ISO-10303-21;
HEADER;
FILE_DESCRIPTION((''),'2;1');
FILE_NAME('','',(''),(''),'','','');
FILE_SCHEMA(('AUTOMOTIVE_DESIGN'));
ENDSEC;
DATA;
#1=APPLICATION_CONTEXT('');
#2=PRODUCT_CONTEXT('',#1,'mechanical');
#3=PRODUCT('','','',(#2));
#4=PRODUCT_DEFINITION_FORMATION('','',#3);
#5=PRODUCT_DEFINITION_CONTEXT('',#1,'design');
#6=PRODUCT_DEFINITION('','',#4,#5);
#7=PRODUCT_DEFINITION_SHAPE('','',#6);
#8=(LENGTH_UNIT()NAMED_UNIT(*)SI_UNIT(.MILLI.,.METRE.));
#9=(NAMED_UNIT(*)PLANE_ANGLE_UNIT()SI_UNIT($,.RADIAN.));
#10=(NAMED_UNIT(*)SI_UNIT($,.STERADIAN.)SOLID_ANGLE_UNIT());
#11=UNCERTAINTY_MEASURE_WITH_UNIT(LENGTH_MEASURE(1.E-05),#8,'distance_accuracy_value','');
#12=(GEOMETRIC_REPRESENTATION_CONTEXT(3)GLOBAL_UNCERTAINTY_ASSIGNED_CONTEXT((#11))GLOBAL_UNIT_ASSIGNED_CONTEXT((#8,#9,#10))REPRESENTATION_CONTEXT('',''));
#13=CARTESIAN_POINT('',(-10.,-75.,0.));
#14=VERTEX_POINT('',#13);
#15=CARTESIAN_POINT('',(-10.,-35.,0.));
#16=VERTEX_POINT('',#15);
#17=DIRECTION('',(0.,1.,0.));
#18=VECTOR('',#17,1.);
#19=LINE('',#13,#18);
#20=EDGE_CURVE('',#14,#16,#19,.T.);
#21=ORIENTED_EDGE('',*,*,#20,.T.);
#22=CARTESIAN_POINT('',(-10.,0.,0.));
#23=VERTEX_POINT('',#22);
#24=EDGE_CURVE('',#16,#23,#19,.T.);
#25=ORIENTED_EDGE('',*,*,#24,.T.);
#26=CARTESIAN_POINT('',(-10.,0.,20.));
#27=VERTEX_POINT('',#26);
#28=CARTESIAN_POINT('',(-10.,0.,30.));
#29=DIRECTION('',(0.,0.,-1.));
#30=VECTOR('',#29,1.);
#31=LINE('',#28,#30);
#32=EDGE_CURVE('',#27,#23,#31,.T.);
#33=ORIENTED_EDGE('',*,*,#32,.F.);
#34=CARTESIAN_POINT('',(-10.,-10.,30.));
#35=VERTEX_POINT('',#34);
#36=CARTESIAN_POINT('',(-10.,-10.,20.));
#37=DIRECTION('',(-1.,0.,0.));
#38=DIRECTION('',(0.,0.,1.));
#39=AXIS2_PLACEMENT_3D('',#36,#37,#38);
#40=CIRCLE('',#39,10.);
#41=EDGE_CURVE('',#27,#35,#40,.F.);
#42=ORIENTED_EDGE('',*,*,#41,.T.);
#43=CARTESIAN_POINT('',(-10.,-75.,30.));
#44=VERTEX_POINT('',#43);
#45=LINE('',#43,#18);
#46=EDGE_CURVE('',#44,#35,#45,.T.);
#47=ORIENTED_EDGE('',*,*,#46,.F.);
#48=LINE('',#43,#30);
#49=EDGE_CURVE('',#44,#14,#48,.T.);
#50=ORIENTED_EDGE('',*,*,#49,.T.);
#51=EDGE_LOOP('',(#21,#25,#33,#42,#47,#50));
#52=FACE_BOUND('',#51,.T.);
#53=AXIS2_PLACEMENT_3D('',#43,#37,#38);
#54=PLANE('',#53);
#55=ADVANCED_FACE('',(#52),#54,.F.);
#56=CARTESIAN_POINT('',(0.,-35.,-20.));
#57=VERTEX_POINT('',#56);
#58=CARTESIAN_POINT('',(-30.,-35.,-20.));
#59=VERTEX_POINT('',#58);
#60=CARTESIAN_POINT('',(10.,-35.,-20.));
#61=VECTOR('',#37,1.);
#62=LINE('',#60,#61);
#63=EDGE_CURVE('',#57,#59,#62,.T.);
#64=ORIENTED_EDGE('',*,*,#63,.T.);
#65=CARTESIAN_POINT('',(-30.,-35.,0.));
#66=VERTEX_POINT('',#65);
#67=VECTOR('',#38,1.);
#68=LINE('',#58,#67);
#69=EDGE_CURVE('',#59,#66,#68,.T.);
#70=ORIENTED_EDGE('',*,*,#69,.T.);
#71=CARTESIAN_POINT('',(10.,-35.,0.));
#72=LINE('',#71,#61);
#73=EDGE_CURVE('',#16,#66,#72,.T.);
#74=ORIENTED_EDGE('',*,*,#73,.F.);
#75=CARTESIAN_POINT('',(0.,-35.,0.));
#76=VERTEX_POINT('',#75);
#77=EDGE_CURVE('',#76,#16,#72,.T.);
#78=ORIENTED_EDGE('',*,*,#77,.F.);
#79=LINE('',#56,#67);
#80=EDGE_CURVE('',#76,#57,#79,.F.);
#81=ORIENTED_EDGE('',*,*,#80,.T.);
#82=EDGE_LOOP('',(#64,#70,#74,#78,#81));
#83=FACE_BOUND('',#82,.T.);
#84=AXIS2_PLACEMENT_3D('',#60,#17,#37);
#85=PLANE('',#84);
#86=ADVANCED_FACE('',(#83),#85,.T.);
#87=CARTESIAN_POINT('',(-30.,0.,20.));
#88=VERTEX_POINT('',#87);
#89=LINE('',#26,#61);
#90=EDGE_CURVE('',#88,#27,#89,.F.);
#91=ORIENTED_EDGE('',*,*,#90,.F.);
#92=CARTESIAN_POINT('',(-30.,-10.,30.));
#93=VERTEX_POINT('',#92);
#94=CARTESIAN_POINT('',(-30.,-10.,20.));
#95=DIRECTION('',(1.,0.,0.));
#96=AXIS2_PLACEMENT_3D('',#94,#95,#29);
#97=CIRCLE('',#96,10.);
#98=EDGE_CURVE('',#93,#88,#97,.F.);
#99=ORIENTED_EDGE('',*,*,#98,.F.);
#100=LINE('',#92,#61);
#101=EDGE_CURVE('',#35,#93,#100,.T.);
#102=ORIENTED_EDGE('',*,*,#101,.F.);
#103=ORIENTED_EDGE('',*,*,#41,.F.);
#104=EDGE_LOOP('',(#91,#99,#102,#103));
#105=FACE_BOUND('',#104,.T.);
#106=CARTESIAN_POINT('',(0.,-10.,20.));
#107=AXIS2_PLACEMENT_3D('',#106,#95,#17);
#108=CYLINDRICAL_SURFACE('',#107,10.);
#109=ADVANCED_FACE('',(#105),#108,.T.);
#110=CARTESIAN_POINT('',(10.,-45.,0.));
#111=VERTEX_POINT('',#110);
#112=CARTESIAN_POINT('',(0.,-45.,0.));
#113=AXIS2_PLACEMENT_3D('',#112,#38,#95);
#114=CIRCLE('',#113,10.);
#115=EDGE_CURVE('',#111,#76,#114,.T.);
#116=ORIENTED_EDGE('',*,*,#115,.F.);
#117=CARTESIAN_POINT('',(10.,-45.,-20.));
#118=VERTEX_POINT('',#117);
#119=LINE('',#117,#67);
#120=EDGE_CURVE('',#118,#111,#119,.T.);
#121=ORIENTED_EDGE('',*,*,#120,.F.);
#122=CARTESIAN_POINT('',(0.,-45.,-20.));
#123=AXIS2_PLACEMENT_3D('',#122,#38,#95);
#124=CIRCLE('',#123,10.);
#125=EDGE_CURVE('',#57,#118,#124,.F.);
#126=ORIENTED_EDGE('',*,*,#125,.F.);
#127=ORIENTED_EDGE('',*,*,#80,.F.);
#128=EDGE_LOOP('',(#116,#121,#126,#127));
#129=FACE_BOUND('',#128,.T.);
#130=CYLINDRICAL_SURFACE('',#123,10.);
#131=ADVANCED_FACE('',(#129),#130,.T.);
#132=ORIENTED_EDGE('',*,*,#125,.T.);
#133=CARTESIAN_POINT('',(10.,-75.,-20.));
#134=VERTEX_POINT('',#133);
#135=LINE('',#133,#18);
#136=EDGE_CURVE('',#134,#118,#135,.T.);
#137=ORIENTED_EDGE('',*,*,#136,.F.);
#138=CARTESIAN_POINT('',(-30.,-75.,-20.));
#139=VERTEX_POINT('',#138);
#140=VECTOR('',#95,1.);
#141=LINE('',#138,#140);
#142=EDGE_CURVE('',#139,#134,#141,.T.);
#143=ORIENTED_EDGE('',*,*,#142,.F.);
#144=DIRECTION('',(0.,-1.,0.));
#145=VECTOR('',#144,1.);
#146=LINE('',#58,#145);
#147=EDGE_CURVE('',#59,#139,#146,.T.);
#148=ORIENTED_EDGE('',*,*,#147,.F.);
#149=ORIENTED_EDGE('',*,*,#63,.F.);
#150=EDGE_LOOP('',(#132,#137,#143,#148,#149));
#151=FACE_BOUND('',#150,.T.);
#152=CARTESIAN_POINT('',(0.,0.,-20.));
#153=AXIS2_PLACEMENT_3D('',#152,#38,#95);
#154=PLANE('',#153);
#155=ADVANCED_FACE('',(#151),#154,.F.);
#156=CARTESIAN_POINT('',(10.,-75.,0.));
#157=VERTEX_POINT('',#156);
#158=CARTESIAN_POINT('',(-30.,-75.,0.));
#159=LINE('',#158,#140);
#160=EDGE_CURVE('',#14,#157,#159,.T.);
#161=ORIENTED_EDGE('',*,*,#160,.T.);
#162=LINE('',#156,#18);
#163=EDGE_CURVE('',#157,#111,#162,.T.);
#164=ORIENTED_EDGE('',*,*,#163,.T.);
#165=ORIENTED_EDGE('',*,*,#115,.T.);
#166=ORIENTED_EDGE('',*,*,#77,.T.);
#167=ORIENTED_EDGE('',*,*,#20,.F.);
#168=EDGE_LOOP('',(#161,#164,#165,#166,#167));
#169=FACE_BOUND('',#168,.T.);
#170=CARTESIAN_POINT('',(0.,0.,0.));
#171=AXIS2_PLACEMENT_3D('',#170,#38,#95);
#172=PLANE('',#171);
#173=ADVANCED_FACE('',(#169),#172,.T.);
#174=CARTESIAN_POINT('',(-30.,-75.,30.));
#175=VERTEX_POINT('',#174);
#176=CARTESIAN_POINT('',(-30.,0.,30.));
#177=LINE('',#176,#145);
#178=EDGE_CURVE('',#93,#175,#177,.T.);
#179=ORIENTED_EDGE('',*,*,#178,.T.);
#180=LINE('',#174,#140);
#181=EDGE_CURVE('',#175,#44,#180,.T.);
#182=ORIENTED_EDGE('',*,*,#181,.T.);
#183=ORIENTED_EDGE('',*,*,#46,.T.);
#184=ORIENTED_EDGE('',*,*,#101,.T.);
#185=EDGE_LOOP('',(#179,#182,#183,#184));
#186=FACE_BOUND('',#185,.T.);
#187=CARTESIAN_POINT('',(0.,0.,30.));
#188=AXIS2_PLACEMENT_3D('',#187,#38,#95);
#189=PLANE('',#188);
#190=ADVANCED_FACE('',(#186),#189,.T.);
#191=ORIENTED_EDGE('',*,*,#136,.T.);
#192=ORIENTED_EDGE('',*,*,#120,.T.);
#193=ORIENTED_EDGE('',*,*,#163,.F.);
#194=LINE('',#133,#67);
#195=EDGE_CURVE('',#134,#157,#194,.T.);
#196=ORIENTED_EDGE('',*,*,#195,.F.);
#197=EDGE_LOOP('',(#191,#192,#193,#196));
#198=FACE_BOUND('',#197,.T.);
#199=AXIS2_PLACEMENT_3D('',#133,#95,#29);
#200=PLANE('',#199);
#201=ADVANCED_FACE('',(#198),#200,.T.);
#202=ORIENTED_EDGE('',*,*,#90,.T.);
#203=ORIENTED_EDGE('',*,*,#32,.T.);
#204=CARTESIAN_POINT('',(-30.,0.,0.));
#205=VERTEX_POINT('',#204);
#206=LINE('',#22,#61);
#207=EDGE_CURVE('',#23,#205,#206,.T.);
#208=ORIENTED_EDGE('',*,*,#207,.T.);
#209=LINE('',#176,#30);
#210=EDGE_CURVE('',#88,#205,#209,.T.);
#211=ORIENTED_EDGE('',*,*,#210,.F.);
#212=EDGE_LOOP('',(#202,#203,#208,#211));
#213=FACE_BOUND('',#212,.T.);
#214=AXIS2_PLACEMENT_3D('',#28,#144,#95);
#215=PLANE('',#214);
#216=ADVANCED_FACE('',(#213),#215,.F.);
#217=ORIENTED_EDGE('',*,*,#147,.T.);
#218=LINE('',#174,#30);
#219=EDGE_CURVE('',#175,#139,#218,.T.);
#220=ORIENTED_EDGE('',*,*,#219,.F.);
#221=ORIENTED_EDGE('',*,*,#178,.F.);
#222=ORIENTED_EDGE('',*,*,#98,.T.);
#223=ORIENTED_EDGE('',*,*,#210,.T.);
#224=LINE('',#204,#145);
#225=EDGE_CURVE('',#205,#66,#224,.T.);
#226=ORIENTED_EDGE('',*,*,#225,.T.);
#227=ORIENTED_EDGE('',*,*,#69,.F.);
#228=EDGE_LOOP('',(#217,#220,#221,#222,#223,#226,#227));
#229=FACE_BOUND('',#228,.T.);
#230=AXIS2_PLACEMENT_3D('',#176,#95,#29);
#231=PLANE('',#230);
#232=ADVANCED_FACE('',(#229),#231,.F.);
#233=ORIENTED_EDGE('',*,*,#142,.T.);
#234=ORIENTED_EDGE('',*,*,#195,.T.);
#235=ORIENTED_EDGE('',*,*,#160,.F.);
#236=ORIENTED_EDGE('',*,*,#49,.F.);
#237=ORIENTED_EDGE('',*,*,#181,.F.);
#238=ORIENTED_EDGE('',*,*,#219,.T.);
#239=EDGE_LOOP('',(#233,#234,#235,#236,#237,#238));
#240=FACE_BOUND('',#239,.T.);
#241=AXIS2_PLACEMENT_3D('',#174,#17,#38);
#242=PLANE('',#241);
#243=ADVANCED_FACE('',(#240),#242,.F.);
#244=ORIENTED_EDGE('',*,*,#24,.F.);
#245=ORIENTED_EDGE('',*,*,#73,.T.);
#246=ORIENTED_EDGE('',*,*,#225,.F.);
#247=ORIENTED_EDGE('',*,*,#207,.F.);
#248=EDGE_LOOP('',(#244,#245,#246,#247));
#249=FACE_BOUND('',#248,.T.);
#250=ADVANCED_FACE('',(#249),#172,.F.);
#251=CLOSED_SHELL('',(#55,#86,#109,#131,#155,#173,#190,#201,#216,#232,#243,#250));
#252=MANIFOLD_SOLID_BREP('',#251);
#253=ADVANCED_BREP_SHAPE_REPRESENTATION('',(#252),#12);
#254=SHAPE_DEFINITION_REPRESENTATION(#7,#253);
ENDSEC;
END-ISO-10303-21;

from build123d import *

# Parameters (mm, degrees)
SKETCH1_W           = 20
SKETCH1_H           = 75
BOSS_EXTRUDE1_DEPTH = 30
SKETCH2_W           = 40
SKETCH2_H           = 40
BOSS_EXTRUDE2_DEPTH = 20
FILLET1_R           = 10


with BuildPart() as part:
    # Sketch1 → Boss-Extrude1 (new body)
    with BuildSketch(Plane.XY):
        with Locations((-20, -37.5)):
            Rectangle(SKETCH1_W, SKETCH1_H)
    extrude(amount=BOSS_EXTRUDE1_DEPTH)

    # Sketch2 → Boss-Extrude2 (add)
    with BuildSketch(Plane.XY):
        with Locations((-10, -55)):
            Rectangle(SKETCH2_W, SKETCH2_H)
    extrude(amount=-BOSS_EXTRUDE2_DEPTH)

    # Fillet1
    fillet1_edges = [part.edges().sort_by_distance(p)[0] for p in [
        (10, -35, -10),
        (-20, 0, 30),
    ]]
    fillet(fillet1_edges, radius=FILLET1_R)


solid = part.part
